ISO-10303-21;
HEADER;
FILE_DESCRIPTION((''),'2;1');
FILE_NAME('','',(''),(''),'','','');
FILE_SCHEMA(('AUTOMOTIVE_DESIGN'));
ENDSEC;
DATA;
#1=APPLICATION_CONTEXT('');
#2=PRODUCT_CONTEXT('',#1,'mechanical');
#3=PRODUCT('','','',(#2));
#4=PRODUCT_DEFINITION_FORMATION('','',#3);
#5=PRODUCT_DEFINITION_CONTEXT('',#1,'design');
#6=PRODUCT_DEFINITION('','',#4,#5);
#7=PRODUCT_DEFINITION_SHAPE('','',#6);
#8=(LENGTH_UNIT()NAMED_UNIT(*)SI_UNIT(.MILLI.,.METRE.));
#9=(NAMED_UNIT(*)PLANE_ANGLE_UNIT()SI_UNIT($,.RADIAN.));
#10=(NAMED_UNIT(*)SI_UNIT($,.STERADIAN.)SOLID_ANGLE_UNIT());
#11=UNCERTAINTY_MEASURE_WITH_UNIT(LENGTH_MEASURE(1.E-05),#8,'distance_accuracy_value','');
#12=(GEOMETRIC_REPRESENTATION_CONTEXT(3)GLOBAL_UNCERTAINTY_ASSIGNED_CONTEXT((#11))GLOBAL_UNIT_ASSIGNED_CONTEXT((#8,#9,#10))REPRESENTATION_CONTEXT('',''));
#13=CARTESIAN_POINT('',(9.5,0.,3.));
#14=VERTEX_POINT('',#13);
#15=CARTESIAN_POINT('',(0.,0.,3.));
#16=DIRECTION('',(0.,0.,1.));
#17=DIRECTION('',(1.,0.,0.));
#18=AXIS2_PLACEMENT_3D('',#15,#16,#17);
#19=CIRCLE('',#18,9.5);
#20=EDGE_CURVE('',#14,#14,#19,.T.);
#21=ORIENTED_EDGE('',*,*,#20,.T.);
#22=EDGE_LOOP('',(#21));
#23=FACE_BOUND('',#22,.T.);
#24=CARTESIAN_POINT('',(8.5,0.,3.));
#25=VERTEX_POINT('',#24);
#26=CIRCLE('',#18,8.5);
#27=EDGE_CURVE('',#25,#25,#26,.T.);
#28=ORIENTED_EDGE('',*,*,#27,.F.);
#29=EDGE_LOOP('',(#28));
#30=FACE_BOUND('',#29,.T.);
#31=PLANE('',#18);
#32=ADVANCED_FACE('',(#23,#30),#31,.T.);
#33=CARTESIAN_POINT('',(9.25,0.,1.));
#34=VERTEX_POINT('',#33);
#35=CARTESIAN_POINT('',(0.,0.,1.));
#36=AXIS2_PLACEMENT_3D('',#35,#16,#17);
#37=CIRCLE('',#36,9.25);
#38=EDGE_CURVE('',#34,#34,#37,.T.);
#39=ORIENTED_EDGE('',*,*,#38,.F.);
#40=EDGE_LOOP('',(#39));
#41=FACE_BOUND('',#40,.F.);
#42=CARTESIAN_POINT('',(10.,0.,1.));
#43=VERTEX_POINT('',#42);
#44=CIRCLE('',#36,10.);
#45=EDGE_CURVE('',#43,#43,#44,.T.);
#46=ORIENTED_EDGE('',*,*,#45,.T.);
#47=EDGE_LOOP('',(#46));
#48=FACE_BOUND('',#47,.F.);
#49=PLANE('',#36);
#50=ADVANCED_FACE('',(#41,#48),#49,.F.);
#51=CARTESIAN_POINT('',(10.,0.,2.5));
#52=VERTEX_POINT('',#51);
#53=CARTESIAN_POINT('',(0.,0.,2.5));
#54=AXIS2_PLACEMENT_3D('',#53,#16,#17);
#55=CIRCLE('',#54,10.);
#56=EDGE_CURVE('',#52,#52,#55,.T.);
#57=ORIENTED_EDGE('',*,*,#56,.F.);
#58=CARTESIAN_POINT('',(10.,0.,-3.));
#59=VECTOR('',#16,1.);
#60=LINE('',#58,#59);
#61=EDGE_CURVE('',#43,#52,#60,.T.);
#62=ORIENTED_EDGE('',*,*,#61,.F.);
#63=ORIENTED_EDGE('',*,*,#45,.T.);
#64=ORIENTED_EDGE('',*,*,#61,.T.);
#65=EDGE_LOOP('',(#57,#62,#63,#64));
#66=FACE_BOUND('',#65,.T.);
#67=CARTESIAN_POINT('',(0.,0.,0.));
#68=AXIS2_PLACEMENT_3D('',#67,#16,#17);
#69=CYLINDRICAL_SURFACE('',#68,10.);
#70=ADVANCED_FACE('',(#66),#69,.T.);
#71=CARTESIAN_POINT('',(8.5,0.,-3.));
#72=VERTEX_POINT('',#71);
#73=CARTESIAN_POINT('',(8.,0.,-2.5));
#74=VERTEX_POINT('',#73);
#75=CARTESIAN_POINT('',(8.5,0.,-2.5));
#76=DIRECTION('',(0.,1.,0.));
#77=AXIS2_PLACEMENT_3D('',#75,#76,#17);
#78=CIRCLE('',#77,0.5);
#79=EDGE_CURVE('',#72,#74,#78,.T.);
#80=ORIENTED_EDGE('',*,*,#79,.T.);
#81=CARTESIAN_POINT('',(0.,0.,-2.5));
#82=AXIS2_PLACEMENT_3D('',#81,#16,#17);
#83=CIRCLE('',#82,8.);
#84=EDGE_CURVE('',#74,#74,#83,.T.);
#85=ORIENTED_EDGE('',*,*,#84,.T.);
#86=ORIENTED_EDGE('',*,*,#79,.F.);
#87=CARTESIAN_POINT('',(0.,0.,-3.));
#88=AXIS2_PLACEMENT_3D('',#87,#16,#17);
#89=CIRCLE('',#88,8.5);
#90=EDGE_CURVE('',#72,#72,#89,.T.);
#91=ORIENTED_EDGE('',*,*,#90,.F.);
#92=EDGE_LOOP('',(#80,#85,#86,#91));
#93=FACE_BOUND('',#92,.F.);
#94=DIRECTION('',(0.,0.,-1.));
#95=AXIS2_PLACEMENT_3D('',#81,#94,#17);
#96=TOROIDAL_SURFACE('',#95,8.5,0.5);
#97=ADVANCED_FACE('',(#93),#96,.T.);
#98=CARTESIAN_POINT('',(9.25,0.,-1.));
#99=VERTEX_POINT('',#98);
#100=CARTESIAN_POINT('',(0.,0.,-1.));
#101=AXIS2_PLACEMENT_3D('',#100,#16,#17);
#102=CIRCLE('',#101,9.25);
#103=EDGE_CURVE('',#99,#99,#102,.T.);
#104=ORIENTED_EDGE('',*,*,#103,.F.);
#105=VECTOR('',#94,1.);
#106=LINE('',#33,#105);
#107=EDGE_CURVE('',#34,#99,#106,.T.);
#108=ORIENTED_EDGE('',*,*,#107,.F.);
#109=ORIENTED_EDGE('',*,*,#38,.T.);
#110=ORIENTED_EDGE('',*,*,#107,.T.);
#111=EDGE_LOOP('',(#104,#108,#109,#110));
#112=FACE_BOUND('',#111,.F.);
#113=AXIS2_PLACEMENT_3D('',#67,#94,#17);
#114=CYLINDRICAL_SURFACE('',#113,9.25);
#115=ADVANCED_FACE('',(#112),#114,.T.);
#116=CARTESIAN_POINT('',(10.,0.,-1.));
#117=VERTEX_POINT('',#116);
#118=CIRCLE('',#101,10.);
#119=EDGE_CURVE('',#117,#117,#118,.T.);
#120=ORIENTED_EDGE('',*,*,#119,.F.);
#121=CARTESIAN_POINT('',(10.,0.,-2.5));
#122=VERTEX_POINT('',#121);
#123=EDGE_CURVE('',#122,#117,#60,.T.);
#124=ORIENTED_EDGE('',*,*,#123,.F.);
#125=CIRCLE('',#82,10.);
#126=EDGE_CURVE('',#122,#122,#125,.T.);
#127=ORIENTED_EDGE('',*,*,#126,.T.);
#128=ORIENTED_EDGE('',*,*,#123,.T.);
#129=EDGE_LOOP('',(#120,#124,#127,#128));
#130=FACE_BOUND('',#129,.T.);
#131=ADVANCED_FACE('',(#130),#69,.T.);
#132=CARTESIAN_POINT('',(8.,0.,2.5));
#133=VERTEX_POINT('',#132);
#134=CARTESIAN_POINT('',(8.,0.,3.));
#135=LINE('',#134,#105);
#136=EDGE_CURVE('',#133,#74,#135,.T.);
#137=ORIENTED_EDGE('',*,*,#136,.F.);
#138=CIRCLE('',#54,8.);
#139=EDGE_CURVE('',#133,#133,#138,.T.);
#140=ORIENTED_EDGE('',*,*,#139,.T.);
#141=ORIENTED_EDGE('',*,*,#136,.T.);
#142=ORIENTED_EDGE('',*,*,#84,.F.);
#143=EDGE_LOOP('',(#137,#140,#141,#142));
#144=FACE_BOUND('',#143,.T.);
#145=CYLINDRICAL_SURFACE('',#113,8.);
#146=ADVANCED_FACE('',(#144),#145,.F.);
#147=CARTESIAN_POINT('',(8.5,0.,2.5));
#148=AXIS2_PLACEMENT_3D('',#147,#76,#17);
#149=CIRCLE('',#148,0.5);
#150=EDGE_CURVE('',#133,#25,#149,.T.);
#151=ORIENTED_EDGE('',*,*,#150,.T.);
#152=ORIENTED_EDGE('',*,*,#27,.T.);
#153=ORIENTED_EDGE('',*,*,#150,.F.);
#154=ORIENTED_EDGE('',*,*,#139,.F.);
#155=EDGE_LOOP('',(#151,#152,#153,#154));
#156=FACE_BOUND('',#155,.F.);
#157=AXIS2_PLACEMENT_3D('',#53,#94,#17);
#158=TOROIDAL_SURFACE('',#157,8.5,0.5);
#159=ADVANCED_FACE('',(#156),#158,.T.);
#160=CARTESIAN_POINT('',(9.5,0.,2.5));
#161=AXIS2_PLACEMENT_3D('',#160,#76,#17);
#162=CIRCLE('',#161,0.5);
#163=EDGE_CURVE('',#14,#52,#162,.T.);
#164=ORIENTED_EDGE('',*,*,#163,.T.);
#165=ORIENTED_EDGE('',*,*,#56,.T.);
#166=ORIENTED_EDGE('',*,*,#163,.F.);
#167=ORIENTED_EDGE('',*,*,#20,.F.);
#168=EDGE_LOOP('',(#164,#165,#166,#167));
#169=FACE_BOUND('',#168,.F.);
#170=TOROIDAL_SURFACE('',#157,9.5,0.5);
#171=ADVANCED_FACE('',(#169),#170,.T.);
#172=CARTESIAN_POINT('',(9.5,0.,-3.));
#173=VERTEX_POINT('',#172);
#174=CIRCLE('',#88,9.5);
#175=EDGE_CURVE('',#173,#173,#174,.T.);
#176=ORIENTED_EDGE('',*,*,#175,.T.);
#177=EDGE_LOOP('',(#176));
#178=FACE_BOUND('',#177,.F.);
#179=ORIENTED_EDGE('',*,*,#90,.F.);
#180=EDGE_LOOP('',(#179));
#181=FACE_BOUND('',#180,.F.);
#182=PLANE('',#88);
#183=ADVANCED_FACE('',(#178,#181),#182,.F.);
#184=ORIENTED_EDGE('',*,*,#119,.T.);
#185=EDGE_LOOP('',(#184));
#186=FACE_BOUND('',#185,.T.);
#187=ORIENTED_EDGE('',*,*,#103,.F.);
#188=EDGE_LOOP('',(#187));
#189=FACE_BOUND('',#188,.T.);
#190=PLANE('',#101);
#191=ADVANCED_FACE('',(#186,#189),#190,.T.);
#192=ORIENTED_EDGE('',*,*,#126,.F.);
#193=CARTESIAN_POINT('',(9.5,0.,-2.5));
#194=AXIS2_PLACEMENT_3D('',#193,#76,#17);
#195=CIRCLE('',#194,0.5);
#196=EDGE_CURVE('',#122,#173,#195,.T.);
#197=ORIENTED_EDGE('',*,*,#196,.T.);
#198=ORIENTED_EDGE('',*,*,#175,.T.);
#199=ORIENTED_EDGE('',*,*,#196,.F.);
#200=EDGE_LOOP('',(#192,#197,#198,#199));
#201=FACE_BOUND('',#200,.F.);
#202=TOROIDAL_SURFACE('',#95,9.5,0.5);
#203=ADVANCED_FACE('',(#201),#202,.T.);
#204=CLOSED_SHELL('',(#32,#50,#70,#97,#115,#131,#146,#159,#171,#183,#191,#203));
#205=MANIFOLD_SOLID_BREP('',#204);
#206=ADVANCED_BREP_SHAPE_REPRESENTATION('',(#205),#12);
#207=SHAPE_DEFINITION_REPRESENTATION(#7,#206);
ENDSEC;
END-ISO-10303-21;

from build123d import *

# Parameters (mm, degrees)
F0_R     = 10
F0_R_2   = 9.25
F0_R_3   = 8
F1_DEPTH = 3
F2_DEPTH = 1
F3_R     = 0.5


with BuildPart() as f1:
    # F0 (on Top) → F1 (new body, symmetric)
    with BuildSketch(Plane.XY):
        Circle(F0_R)
        Circle(F0_R_2, mode=Mode.SUBTRACT)
        Circle(F0_R_2)
        Circle(F0_R_3, mode=Mode.SUBTRACT)
    extrude(amount=F1_DEPTH, both=True)

    # F0 (on Top) → F2 (cut, symmetric)
    with BuildSketch(Plane.XY):
        Circle(F0_R)
        Circle(F0_R_2, mode=Mode.SUBTRACT)
    extrude(amount=F2_DEPTH, both=True, mode=Mode.SUBTRACT)

    # F3
    f3_edges = [f1.edges().sort_by_distance(p)[0] for p in [
        (-10, 0, 3),
        (-8, 0, 3),
        (-10, 0, -3),
        (-8, 0, -3),
    ]]
    fillet(f3_edges, radius=F3_R)


solid = f1.part
